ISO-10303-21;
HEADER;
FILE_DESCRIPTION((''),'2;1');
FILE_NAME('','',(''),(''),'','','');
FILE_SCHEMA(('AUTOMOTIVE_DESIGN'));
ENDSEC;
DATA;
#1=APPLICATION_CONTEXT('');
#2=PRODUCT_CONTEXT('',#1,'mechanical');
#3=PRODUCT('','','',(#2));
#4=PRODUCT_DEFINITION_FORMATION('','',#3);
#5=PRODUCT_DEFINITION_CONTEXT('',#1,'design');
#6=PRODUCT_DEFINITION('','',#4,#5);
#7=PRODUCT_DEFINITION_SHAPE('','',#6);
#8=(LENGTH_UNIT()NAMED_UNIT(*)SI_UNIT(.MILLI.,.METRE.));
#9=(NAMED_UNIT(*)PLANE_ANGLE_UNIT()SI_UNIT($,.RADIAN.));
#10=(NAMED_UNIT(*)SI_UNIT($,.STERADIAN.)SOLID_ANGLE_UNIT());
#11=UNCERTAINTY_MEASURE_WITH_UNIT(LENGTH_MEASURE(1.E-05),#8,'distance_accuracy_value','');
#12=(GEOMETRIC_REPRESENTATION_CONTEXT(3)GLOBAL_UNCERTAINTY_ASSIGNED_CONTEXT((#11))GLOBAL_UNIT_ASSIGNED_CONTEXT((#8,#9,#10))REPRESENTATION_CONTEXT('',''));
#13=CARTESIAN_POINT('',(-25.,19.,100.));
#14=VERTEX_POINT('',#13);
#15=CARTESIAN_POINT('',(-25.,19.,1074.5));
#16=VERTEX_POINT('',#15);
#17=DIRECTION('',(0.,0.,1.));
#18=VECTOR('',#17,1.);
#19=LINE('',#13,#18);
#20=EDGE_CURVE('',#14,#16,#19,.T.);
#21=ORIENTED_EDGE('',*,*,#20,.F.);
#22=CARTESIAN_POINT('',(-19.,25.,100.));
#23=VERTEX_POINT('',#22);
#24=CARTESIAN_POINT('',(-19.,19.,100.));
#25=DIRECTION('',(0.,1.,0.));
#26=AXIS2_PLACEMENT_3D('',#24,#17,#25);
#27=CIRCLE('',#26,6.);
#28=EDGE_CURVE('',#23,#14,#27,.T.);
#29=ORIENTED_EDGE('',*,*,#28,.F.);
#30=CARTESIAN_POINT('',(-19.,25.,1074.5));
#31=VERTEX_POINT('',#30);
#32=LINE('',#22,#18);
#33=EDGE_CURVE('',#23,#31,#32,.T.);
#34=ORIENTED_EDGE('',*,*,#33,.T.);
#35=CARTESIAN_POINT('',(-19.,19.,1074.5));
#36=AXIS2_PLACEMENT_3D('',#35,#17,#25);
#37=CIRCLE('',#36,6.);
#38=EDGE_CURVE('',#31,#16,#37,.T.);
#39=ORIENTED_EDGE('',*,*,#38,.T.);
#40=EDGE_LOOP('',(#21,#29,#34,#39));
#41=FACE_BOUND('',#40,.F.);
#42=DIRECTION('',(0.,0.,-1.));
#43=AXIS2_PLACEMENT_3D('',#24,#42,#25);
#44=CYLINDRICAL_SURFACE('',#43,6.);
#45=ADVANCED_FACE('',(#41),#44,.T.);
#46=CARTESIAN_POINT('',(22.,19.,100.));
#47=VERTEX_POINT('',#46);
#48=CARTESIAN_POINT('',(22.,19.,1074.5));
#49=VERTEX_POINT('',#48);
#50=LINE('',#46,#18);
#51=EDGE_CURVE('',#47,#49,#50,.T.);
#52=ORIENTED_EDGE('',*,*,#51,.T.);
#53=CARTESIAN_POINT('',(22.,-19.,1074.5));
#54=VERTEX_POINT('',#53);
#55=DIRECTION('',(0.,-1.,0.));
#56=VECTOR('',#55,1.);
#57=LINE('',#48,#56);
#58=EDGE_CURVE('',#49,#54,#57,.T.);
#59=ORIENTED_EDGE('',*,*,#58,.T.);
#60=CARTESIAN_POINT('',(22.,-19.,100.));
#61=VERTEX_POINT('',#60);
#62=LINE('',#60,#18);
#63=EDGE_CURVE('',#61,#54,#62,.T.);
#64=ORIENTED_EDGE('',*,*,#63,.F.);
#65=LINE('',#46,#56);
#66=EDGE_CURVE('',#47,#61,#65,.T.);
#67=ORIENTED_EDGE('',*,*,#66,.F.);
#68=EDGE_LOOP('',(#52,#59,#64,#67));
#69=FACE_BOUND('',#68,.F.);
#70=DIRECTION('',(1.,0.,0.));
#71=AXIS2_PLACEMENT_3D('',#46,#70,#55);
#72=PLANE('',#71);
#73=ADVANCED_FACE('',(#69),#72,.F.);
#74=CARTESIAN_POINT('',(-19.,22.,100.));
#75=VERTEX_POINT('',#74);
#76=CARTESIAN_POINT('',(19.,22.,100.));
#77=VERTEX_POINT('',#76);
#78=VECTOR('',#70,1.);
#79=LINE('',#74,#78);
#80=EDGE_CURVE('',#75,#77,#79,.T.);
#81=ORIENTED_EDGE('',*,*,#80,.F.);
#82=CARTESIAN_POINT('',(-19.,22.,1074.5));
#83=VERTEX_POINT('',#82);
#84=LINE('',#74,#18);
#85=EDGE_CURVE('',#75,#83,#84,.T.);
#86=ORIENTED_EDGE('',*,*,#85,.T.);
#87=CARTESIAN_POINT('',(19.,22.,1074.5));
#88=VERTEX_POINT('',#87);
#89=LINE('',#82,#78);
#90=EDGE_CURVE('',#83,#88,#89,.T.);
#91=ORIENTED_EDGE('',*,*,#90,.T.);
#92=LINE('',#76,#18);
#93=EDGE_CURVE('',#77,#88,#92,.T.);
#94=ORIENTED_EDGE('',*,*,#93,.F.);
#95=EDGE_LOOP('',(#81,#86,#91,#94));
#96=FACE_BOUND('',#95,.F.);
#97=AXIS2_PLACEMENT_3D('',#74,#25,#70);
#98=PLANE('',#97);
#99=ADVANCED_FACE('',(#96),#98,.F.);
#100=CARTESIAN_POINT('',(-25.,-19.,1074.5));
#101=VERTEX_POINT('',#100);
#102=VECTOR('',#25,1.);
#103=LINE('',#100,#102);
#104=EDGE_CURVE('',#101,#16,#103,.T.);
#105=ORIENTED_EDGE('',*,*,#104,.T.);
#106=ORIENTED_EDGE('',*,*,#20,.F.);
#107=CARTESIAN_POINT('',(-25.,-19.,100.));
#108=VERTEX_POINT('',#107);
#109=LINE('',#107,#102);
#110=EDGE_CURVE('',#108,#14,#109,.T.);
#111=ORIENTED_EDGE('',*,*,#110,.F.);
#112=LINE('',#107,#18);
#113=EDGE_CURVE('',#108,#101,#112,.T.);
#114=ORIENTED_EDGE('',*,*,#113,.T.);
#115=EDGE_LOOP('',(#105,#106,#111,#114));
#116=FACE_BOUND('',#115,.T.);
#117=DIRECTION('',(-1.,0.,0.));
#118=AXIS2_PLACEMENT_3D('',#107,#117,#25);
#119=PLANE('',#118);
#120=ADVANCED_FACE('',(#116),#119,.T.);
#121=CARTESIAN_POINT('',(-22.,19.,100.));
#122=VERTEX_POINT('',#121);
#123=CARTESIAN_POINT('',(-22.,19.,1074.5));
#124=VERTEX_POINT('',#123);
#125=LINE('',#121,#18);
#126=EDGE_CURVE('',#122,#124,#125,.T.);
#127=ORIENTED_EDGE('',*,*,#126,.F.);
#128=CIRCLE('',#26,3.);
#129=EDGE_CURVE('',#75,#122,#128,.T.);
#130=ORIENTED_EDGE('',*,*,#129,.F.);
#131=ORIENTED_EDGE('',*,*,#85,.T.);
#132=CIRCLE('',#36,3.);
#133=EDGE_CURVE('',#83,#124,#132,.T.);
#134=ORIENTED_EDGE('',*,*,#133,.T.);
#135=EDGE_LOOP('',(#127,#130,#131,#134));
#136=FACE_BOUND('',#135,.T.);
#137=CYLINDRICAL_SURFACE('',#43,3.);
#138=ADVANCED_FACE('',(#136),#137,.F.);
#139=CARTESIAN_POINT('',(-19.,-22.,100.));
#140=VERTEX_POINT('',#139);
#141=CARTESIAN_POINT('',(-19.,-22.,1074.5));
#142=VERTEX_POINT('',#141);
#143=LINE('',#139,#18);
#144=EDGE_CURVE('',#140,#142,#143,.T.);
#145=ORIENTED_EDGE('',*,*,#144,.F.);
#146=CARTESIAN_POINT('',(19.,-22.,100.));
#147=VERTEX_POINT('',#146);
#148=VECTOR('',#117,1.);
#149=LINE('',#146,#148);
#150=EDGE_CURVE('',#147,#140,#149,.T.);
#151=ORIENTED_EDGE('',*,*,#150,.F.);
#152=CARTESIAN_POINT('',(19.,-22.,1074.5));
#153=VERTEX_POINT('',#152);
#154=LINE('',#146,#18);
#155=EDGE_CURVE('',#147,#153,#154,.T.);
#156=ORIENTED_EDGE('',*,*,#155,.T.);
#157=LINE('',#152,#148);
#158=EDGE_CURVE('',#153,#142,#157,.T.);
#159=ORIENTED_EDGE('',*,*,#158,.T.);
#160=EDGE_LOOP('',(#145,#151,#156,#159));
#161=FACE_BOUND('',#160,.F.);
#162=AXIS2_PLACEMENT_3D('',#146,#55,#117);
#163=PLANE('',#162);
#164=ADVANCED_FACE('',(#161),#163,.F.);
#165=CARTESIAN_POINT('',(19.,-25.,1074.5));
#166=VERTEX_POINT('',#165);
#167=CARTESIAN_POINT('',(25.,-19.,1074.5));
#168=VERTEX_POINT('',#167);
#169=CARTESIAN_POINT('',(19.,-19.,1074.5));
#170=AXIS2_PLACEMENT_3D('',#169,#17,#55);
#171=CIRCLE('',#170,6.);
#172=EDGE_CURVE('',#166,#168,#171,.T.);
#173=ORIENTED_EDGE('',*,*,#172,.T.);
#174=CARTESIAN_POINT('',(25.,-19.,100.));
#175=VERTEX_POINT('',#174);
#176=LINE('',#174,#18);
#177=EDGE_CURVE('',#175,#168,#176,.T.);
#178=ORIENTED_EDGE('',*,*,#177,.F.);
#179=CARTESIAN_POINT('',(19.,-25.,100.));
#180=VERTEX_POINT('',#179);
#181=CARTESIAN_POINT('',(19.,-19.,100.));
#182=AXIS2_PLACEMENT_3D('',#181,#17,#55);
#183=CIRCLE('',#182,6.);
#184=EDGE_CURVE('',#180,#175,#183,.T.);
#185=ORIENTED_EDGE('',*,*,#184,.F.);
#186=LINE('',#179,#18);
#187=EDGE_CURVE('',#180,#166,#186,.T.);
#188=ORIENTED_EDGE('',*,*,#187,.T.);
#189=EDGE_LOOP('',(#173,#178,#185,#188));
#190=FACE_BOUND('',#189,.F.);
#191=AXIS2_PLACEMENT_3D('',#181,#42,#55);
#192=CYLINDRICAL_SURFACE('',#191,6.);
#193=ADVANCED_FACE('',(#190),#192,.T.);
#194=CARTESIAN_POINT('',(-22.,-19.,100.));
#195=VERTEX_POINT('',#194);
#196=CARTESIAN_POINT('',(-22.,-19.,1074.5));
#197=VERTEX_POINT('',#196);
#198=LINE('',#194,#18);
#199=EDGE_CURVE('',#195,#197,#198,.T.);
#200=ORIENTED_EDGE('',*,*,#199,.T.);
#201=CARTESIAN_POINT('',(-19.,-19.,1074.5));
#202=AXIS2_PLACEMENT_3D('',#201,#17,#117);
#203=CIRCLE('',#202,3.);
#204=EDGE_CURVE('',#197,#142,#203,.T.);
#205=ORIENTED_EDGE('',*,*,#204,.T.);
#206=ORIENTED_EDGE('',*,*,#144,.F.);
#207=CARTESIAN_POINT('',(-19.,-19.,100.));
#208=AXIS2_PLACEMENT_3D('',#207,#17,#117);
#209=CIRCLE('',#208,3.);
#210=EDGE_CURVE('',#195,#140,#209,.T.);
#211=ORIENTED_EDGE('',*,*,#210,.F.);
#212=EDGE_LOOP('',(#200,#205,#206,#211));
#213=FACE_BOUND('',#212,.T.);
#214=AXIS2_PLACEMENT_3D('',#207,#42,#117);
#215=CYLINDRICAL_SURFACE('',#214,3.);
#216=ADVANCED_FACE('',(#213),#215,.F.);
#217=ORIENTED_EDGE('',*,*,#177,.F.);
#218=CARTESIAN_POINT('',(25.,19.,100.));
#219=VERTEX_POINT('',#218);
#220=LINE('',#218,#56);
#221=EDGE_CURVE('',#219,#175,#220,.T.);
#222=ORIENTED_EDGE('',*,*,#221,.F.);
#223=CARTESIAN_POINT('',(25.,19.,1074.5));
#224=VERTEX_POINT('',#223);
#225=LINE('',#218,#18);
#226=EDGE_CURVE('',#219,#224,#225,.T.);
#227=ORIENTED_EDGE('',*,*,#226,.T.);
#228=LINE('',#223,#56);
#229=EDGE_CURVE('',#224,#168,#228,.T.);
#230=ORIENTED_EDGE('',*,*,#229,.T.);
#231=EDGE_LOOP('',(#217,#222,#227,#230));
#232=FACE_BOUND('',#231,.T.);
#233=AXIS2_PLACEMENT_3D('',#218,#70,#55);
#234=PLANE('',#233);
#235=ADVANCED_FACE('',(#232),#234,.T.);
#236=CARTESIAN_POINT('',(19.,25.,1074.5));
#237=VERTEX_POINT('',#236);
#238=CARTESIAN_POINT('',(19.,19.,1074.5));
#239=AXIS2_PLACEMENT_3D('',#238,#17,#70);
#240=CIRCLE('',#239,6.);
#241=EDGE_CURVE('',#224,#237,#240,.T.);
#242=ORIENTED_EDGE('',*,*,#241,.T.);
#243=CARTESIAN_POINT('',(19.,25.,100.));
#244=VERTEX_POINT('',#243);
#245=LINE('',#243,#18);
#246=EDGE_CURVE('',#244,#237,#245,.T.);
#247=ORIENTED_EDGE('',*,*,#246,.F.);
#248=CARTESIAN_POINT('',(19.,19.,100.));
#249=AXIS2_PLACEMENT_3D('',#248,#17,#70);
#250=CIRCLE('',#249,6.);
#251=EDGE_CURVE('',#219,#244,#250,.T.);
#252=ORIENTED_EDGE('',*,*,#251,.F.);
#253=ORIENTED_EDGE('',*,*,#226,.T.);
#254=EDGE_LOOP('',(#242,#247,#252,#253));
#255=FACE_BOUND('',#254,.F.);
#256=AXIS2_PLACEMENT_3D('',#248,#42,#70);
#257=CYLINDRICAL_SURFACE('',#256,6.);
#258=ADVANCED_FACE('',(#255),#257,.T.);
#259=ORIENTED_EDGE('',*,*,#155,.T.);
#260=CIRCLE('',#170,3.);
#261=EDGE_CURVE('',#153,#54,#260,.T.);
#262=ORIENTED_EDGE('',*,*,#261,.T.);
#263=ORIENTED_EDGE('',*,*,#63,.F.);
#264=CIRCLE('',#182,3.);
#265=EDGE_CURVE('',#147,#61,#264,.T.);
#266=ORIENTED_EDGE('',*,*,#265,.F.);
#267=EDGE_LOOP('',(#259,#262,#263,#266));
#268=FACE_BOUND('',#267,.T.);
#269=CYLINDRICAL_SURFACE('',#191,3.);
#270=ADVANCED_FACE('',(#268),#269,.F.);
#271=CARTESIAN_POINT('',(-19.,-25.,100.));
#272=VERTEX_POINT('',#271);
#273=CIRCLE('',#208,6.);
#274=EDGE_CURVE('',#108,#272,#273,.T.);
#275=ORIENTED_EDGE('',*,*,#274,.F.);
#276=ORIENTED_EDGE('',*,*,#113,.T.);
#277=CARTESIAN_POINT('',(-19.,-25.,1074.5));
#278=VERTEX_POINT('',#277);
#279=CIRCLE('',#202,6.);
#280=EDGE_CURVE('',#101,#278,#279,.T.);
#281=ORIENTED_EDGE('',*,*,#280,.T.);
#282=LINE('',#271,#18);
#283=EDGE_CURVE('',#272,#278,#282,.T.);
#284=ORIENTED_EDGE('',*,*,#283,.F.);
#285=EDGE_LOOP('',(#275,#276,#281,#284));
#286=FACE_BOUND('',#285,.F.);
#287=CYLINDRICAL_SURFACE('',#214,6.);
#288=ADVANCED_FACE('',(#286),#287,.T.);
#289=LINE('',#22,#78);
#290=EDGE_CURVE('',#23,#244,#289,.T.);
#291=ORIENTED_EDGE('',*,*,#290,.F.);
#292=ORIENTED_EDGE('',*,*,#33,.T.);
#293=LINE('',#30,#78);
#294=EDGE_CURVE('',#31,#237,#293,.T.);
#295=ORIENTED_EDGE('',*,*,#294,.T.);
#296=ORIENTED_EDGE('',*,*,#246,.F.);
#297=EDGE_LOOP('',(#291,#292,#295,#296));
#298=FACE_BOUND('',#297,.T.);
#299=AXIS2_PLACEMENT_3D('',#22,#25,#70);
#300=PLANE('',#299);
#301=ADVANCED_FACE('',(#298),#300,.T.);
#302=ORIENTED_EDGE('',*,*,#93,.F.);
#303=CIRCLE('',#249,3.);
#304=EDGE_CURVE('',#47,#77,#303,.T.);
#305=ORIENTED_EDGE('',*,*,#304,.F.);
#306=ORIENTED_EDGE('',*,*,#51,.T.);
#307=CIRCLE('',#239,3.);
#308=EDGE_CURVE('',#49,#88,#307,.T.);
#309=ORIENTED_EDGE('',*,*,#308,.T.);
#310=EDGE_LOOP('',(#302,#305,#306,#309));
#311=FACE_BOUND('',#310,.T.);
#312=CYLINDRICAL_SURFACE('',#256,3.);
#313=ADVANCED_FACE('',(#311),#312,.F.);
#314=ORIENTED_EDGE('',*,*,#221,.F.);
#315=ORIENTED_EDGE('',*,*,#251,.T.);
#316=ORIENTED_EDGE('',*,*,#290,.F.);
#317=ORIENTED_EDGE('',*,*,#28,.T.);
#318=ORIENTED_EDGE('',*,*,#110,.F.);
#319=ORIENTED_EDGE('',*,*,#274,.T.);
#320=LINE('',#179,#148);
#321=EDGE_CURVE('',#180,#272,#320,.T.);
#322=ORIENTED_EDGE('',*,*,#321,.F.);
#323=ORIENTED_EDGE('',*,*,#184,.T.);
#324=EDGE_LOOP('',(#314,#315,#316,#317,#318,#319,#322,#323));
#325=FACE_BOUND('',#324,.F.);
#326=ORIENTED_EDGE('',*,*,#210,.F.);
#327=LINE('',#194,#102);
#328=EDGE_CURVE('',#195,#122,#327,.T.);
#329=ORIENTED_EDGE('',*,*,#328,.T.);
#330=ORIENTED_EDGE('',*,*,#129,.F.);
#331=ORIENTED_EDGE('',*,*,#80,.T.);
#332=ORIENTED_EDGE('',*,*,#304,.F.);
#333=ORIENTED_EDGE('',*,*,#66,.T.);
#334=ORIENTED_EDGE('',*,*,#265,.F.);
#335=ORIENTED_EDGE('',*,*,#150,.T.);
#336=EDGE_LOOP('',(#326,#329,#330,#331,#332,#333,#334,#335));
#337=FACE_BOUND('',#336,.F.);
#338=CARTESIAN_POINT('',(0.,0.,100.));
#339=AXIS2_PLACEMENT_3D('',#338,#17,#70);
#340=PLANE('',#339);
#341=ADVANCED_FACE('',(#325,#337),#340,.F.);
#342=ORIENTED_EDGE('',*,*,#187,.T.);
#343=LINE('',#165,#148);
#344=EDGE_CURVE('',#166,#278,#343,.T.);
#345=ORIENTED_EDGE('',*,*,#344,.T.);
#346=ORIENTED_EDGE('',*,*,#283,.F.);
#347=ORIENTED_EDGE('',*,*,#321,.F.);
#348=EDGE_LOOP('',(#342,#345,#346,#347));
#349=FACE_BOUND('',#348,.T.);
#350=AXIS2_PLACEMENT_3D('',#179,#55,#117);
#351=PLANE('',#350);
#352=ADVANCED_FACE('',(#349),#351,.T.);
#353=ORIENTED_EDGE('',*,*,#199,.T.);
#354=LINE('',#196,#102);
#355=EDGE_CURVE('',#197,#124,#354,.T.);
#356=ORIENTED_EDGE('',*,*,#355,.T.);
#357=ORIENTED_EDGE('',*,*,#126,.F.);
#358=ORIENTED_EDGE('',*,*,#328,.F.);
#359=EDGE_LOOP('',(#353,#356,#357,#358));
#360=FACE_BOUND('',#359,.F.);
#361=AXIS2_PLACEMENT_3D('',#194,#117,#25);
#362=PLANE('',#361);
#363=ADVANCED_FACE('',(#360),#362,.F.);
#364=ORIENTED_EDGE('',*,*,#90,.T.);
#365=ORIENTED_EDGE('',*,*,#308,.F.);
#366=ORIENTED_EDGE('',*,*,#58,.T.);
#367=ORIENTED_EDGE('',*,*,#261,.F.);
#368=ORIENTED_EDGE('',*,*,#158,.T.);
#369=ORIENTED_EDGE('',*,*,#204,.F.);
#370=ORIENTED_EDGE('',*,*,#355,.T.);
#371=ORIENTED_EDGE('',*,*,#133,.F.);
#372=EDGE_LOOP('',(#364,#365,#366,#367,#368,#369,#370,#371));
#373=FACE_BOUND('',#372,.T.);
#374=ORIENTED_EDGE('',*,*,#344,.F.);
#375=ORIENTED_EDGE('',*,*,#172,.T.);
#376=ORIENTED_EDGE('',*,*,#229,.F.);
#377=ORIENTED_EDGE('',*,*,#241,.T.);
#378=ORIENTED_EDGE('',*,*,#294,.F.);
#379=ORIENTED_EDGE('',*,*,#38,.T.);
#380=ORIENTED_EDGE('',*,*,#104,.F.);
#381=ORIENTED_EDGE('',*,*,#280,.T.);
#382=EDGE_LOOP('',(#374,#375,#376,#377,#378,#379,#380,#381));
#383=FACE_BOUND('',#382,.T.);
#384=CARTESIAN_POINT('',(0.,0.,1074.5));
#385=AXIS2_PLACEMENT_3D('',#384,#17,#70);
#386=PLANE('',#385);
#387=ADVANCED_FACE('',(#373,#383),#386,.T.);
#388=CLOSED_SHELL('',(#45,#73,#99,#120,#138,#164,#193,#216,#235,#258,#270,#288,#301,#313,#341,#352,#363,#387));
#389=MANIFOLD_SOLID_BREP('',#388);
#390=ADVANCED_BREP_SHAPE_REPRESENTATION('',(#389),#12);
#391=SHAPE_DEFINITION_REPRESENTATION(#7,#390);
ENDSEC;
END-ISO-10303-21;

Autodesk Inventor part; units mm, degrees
ref_plane "YZ Plane" through (0, 0, 0) normal (1, 0, 0) x (0, 1, 0)
ref_plane "Start Plane" through (0, 0, 100) normal (0, 0, 1) x (1, 0, 0)
ref_plane "End Plane" through (0, 0, 1074.5) normal (0, 0, 1) x (1, 0, 0)
sketch "Sketch" plane through (0, 0, 0) normal (0, 0, 1) x (1, 0, 0)
  line L0 (-25, -19) -> (-25, 19)
  line L1 (-19, 25) -> (19, 25)
  line L2 (25, 19) -> (25, -19)
  line L3 (19, -25) -> (-19, -25)
  arc A0 (-25, -19) -> (-19, -25) centre (-19, -19) ccw
  arc A1 (25, 19) -> (19, 25) centre (19, 19) ccw
  arc A2 (-19, 25) -> (-25, 19) centre (-19, 19) ccw
  arc A3 (19, -25) -> (25, -19) centre (19, -19) ccw
  arc A4 (-19, 22) -> (-22, 19) centre (-19, 19) ccw
  line L4 (-19, 22) -> (19, 22)
  arc A5 (22, 19) -> (19, 22) centre (19, 19) ccw
  line L5 (22, 19) -> (22, -19)
  arc A6 (19, -22) -> (22, -19) centre (19, -19) ccw
  line L6 (19, -22) -> (-19, -22)
  arc A7 (-22, -19) -> (-19, -22) centre (-19, -19) ccw
  line L7 (-22, -19) -> (-22, 19)
  line L8 (0, 36.7397) -> (0, -36.7397) construction
  line L9 (-36.7397, 0) -> (36.7397, 0) construction
  dimension "d7" = 6
  dimension "d9" = 50
  dimension "d11" = 50
  dimension "d12" = 3
  dimension "d15" = 25
  dimension "d16" = 25
extrude "Body" add sketch "Sketch" along normal up to surface (974.5 mm away) from surface at 100
sketch "Sketch3" plane through (0, 0, 0) normal (0, 0, 1) x (1, 0, 0)
  line L0 (0, 0) -> (10, 0)
ref_plane "Work Plane3" through (0, 0, 0) normal (0, -1, 0) x (1, 0, 0)
sketch "Sketch4" plane through (0, 0, 0) normal (0, -1, 0) x (1, 0, 0)
  line L0 (-2, 100) -> (12, 100) projected
  line L1 (-2, 1074.5) -> (12, 1074.5) projected
  dimension "d18" = 974.5
equation "\"d7\" = G_IR"
equation "\"d9\" = G_W"
equation "\"d11\" = G_H"
equation "\"d12\" = G_T"
equation "\"d15\" = 0.5 * d9"
equation "\"d16\" = 0.5 * d11"
equation "\"d3\" = G_L"
equation "\"G_W\" = 50"
equation "\"G_H\" = 50"
equation "\"G_T\" = 3"
equation "\"G_IR\" = 6"
equation "\"G_L\" = d18"
equation "\"G_OFFSET_END\" = 0"
equation "\"d14\" = G_OFFSET_END + B_L"
equation "\"B_L\" = 1074.5"
properties part number "ISO 4019 - 50x50x3 - 974.5" material "Steel, Mild"
